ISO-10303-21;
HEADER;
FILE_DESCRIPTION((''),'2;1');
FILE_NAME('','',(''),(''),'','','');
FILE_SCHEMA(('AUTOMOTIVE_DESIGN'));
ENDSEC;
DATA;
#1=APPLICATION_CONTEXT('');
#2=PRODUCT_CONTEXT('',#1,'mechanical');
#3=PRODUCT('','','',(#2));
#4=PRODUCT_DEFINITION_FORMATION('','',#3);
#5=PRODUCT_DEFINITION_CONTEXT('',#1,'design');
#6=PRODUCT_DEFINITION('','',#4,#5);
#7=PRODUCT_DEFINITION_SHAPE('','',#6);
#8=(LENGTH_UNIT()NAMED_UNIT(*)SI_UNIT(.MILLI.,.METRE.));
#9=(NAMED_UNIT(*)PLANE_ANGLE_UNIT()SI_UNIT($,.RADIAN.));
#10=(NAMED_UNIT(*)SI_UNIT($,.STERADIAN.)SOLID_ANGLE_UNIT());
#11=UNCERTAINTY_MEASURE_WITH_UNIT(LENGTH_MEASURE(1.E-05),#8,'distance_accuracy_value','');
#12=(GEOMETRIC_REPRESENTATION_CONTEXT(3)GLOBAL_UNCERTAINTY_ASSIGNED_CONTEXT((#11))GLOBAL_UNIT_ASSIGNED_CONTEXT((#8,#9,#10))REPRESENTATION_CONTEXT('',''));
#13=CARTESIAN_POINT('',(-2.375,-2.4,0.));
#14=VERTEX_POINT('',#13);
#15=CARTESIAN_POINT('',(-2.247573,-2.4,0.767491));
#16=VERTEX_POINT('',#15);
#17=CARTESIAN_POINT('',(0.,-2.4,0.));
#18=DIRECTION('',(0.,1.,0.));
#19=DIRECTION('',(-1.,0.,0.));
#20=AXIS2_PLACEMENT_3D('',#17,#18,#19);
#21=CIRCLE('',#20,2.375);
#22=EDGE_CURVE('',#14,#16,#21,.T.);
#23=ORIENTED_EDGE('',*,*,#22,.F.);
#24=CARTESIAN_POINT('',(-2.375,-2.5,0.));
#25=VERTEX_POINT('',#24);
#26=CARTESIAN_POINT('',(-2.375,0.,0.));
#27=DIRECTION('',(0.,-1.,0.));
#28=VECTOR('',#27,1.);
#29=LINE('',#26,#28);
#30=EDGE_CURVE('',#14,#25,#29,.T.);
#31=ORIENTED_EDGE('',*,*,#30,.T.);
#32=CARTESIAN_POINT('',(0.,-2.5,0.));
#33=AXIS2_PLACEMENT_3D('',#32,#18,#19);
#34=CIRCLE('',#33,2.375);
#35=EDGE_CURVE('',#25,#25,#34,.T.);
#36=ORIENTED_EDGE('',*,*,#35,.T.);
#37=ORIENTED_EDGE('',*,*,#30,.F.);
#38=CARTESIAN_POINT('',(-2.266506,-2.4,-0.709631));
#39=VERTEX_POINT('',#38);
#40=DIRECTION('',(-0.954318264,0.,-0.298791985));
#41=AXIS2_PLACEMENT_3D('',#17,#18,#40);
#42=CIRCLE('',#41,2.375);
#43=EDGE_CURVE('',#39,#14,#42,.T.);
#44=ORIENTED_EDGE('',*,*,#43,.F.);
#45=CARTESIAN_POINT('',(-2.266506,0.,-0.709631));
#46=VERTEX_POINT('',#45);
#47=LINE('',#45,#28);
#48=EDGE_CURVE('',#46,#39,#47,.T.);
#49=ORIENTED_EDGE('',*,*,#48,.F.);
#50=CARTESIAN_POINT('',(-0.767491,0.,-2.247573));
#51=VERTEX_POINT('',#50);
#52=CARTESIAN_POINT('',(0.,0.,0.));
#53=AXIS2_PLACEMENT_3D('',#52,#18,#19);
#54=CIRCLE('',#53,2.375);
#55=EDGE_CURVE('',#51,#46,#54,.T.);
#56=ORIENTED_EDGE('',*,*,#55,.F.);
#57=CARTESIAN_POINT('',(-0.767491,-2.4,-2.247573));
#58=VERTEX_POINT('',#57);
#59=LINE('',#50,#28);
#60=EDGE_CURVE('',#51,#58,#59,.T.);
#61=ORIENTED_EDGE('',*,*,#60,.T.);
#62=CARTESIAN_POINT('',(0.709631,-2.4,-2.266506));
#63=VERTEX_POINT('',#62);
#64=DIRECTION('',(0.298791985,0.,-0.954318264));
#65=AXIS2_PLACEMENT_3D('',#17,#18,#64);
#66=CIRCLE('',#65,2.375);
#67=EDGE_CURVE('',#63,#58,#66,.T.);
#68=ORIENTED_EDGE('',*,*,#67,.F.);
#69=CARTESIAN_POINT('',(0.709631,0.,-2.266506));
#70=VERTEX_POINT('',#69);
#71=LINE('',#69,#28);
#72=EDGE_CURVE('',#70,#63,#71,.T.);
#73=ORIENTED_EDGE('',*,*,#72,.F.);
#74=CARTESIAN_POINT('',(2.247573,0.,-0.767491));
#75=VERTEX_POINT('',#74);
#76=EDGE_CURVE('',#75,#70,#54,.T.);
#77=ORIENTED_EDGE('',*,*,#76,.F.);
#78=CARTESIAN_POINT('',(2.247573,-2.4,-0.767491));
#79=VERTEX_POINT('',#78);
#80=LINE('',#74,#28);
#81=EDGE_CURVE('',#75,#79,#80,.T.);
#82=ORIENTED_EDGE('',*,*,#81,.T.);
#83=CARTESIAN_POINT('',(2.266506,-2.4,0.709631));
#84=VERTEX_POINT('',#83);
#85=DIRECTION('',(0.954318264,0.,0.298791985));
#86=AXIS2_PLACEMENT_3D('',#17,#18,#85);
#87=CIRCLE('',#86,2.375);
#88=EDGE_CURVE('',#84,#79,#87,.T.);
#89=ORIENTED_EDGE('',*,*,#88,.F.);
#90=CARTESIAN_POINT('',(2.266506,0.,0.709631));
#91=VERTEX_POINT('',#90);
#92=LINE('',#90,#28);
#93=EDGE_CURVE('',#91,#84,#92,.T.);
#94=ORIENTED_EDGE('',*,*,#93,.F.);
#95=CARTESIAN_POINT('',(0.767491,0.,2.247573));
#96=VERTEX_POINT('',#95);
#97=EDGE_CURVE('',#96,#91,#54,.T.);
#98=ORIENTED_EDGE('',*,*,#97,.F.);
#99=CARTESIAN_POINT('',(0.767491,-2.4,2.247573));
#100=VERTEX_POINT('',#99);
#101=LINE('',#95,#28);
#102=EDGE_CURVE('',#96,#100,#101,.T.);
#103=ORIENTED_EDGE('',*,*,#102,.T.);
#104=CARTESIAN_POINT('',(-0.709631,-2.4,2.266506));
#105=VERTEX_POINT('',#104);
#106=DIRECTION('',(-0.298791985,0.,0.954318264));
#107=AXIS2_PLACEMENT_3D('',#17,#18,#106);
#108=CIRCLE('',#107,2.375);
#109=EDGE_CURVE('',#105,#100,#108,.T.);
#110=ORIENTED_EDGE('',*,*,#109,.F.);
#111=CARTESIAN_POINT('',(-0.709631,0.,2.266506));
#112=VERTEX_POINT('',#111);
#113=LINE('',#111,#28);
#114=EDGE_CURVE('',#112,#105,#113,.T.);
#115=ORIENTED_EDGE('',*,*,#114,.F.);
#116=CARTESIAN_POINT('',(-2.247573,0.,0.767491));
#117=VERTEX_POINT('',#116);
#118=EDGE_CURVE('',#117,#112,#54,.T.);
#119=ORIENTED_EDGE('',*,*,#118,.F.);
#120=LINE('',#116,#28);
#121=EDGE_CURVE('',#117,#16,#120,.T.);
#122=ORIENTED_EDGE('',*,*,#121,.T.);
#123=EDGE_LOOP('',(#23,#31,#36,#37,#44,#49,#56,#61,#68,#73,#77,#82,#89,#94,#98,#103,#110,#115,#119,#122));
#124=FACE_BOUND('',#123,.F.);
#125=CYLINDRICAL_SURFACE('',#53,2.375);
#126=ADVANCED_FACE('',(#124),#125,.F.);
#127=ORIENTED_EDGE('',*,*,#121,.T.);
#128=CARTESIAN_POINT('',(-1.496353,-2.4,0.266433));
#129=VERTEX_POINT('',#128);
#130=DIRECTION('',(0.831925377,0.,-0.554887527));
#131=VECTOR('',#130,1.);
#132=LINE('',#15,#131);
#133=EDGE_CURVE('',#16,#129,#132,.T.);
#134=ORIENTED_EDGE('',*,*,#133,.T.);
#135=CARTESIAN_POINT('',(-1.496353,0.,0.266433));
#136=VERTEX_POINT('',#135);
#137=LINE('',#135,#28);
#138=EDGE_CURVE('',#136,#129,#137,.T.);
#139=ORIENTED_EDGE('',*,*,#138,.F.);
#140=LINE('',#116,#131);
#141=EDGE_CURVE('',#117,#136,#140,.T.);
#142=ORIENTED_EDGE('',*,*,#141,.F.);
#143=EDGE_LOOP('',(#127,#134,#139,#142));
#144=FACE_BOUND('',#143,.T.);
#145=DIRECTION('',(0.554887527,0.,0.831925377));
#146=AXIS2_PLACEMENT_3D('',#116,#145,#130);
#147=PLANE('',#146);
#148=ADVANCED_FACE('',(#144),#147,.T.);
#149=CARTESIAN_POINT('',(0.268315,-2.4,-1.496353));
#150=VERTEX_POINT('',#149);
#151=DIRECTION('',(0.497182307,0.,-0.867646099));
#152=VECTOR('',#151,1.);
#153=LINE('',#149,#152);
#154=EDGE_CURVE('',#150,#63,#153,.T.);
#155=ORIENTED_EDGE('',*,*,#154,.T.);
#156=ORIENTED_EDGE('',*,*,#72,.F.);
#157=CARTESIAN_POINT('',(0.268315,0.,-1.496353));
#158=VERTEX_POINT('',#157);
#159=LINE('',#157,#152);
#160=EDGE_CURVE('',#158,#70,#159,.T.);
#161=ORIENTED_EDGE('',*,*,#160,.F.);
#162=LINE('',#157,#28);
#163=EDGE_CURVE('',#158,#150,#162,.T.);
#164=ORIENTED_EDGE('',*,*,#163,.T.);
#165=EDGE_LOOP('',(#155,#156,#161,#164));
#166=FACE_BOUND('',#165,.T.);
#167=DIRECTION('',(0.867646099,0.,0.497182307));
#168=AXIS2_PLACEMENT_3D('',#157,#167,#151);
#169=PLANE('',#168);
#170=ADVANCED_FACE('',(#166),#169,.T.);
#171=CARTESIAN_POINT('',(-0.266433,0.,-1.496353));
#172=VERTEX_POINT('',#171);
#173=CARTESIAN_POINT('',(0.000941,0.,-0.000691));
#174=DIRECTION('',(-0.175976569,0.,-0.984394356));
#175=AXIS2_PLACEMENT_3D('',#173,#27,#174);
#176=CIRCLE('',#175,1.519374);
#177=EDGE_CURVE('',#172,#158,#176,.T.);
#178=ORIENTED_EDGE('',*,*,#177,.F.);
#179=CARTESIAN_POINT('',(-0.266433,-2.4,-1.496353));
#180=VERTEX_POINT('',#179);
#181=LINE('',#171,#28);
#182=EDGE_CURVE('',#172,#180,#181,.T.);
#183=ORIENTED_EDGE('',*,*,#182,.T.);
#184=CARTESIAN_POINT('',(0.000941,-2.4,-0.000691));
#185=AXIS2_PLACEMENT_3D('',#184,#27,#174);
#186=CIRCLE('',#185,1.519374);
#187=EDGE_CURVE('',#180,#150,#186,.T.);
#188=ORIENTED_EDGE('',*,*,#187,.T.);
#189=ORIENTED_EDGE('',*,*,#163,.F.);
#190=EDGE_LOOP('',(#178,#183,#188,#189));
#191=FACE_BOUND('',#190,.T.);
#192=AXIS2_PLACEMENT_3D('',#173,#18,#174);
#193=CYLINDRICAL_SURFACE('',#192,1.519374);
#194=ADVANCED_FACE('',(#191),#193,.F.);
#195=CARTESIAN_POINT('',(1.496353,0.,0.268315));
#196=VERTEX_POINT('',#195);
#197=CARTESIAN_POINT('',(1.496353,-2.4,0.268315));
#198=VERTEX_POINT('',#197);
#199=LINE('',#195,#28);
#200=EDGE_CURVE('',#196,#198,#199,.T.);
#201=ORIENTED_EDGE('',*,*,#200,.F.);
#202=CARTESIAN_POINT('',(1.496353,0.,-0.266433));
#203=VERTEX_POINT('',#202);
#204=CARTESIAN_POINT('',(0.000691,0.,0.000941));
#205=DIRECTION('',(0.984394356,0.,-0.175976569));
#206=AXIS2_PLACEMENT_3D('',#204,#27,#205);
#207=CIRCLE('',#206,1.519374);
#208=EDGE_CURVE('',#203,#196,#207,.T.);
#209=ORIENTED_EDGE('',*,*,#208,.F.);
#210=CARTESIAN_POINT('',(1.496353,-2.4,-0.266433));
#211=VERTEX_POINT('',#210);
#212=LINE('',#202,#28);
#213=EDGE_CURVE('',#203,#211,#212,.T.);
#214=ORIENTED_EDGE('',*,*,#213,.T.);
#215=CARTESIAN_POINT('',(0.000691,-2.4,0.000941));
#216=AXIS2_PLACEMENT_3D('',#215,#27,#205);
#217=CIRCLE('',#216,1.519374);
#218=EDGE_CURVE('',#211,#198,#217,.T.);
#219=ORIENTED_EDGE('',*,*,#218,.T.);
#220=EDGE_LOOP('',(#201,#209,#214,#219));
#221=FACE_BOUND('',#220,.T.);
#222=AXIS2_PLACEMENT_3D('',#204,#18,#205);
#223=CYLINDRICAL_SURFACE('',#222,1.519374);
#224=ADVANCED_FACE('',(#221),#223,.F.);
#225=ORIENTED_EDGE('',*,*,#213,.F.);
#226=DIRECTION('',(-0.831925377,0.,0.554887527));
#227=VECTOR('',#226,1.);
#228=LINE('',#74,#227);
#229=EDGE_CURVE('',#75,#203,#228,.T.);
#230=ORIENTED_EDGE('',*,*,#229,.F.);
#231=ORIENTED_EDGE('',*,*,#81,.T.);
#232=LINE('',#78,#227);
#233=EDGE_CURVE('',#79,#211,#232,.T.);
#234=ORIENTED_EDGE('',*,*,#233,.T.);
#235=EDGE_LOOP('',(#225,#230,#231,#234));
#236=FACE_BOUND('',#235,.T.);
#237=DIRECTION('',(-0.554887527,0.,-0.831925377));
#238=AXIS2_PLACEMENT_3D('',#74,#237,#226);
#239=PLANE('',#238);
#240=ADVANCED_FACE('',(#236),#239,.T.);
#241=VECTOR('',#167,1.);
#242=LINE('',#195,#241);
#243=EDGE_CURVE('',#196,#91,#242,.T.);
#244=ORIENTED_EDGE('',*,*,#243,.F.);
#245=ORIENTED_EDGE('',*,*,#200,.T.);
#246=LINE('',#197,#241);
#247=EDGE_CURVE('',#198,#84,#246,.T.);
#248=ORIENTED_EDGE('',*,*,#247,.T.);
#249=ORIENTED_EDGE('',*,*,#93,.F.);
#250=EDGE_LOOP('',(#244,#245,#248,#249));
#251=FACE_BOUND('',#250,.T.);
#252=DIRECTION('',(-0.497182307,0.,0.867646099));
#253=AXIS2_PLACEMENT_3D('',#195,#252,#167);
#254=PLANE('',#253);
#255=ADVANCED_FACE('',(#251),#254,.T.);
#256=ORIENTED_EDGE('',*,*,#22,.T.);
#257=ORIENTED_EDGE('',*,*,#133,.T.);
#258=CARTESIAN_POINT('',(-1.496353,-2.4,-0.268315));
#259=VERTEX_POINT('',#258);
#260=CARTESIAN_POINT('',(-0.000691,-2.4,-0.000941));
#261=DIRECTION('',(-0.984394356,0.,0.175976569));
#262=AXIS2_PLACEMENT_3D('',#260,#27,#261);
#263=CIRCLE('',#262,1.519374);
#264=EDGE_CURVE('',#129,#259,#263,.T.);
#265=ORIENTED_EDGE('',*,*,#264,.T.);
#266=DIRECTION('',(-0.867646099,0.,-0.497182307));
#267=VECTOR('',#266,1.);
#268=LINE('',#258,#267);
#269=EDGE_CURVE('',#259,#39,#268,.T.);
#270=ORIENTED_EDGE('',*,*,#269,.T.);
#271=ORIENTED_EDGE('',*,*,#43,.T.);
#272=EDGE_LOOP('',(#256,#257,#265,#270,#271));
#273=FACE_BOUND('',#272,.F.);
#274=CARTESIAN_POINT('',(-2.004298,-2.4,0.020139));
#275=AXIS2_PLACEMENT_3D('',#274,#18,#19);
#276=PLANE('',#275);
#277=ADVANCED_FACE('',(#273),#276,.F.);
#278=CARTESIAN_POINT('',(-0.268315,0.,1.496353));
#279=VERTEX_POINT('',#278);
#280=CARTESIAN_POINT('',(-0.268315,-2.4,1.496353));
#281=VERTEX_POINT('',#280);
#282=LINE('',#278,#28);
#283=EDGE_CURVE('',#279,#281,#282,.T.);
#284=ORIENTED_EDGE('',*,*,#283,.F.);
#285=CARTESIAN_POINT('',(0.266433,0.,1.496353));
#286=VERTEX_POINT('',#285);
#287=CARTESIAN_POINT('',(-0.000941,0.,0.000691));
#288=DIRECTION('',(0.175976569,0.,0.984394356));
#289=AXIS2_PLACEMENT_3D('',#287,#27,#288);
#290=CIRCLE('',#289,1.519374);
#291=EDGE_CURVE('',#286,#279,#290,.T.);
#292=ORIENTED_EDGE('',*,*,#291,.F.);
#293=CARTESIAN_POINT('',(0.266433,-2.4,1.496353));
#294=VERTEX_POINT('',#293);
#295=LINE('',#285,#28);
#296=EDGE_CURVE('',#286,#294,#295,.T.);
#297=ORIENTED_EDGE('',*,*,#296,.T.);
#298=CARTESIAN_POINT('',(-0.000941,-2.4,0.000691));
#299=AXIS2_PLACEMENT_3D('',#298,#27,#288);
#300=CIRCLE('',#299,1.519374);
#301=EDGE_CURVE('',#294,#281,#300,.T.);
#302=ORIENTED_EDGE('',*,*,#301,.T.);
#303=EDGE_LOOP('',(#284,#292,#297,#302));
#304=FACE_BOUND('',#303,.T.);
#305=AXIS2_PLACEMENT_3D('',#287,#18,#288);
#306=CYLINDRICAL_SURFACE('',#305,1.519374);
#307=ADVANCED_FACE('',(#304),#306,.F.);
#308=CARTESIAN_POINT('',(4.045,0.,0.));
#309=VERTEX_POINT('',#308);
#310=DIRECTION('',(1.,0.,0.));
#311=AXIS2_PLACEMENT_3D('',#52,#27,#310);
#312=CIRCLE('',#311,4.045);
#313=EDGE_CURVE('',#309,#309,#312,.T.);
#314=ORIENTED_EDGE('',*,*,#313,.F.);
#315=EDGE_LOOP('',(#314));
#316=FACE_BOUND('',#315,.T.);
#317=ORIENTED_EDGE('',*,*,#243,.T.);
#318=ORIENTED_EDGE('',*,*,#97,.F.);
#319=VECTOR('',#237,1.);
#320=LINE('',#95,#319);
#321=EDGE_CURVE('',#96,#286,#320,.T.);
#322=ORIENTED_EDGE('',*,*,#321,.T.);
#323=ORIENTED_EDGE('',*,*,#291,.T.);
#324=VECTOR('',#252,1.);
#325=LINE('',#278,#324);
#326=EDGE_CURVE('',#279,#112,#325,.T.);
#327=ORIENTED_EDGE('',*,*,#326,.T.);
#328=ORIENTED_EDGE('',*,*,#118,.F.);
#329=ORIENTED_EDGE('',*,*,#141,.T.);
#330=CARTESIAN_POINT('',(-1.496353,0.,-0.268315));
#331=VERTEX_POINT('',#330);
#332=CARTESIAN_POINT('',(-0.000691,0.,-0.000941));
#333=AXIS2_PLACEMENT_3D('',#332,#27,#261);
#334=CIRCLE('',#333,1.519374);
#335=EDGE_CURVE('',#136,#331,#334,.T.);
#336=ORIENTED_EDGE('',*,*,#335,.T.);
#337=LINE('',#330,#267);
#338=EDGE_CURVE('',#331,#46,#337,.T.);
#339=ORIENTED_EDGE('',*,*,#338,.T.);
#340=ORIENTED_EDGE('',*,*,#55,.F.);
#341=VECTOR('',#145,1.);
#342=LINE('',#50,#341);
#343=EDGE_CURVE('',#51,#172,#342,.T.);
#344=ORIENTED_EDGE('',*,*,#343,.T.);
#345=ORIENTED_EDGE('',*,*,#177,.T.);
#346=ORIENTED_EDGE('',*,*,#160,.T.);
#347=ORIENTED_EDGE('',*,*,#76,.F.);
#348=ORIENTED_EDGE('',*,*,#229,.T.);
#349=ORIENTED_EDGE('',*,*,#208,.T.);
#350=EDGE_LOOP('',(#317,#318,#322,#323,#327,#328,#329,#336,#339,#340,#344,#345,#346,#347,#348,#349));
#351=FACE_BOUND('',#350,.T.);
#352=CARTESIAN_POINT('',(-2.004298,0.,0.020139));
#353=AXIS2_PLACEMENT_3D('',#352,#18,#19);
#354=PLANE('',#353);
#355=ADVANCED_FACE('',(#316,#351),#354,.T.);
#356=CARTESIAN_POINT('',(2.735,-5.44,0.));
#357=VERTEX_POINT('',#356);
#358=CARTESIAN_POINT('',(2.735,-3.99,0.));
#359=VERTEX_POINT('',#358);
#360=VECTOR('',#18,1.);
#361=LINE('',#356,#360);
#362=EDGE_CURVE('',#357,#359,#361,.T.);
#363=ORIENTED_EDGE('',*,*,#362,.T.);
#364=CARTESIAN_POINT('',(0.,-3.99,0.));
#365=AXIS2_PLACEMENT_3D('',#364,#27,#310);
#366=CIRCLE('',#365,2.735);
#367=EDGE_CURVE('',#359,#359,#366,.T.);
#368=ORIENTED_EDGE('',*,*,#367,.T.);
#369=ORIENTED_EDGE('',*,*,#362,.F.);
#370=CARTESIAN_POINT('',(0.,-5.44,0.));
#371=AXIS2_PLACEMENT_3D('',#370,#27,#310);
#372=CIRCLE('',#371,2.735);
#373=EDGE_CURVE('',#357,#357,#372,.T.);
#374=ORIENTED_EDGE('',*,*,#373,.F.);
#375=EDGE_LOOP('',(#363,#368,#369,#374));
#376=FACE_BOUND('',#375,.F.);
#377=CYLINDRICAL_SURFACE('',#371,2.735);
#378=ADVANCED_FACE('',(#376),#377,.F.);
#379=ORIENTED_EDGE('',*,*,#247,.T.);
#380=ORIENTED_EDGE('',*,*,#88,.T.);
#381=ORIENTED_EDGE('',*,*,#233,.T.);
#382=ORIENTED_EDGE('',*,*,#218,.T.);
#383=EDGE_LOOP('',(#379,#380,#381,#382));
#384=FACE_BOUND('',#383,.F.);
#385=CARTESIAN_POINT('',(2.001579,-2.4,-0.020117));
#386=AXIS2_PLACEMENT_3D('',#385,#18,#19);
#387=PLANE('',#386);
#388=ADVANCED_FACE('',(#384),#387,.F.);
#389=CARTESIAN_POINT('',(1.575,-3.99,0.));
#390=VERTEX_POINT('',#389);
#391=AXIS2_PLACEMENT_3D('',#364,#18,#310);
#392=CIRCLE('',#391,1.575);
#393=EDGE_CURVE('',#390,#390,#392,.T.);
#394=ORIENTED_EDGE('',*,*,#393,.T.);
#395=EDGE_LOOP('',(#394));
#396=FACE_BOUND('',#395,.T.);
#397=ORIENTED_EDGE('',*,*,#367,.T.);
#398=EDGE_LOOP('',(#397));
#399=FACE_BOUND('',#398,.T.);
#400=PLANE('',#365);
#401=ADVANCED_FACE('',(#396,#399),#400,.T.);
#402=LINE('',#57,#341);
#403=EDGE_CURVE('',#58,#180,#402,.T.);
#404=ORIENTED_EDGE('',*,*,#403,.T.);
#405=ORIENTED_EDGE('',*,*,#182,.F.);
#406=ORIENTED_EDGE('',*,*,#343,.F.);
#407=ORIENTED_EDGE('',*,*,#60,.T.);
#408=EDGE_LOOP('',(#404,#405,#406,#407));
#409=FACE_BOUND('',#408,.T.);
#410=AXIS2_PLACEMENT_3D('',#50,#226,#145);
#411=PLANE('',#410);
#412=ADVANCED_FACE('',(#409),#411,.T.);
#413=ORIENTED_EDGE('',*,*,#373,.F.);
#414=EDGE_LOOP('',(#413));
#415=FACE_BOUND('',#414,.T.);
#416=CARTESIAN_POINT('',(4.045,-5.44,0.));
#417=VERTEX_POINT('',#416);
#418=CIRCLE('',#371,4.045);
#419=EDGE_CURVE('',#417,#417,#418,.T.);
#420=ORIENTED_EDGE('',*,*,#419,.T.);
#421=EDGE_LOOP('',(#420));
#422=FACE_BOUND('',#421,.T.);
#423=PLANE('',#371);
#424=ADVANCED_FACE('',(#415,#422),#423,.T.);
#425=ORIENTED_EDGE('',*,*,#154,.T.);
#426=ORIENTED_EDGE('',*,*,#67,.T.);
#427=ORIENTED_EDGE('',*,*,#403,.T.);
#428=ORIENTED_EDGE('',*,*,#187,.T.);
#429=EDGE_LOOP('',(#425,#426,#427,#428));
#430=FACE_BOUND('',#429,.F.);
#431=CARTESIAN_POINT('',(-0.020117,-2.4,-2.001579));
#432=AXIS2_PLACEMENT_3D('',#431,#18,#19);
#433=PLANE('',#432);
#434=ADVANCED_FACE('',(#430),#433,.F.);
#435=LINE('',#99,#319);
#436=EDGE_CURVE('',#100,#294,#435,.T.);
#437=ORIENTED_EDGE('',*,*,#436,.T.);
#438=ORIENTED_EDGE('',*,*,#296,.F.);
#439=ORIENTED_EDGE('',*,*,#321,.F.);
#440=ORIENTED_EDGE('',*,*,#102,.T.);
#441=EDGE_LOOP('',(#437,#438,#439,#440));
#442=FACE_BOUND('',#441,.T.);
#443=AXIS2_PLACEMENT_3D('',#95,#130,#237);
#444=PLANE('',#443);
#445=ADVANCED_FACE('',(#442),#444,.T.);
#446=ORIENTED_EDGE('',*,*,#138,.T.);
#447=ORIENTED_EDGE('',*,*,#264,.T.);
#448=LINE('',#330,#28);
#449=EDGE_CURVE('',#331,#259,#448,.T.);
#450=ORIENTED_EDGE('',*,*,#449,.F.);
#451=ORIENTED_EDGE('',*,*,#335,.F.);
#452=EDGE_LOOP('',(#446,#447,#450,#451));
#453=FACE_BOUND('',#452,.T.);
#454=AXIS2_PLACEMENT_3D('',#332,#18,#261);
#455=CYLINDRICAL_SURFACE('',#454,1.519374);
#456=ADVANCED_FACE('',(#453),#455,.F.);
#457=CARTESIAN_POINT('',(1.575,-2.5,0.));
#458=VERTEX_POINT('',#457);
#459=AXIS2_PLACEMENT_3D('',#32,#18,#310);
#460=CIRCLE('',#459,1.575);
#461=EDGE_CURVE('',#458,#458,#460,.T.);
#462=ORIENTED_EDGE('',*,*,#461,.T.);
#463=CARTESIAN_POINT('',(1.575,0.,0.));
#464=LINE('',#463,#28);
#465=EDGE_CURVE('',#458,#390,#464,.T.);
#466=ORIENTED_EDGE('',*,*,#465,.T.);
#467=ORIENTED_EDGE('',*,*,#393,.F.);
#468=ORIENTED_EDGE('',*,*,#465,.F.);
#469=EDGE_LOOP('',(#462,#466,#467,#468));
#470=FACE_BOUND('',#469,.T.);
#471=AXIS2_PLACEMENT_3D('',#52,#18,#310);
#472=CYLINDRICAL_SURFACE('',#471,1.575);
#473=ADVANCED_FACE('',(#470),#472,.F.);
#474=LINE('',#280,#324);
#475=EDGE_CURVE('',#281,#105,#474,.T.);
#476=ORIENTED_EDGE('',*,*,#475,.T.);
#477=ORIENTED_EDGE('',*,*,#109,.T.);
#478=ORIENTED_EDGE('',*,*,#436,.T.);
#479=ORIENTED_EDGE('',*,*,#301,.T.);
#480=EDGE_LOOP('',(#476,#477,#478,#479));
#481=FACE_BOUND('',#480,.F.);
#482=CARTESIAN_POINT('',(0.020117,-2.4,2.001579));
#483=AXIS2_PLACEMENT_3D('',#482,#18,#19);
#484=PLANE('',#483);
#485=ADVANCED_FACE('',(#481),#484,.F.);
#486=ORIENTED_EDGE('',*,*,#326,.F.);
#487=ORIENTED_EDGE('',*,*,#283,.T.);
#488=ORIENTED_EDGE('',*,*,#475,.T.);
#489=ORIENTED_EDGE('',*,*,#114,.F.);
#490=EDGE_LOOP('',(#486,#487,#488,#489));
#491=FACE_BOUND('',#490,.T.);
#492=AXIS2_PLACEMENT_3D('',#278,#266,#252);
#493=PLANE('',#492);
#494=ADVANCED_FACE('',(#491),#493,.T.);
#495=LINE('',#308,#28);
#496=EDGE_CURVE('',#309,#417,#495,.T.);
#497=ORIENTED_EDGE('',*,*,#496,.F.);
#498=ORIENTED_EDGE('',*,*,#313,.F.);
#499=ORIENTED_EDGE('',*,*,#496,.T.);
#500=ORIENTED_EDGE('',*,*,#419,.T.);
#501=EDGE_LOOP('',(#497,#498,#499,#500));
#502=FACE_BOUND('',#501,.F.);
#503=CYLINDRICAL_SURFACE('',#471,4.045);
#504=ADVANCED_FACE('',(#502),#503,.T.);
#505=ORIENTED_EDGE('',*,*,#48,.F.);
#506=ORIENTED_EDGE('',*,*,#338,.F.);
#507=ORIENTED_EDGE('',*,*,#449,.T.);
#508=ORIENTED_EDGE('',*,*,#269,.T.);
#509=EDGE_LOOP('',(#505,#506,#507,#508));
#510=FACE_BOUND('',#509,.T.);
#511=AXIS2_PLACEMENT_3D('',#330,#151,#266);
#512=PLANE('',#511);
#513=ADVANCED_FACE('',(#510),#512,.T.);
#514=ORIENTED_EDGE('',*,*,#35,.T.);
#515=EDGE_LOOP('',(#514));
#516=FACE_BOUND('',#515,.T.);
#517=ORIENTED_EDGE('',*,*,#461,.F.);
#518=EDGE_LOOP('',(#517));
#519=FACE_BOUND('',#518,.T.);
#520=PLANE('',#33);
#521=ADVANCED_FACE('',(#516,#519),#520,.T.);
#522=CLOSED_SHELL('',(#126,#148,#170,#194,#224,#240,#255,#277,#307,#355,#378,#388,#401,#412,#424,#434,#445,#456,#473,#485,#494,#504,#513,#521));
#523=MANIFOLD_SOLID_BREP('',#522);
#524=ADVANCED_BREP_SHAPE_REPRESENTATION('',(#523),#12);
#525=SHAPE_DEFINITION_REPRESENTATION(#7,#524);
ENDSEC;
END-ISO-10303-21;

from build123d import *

# Parameters (mm, degrees)
F0_R     = 4.045
F0_R_2   = 1.575
F1_DEPTH = 5.44
F2_R     = 2.735
F3_DEPTH = 1.45
F4_R     = 2.375
F5_DEPTH = 2.5
F7_DEPTH = 2.4


with BuildPart() as f1:
    # F0 (on Front) → F1 (new body)
    with BuildSketch(Plane.XZ):
        Circle(F0_R)
        Circle(F0_R_2, mode=Mode.SUBTRACT)
    extrude(amount=F1_DEPTH)

    # F2 (on face) → F3 (cut)
    with BuildSketch(Plane.XZ.offset(5.44)):
        Circle(F2_R)
    extrude(amount=-F3_DEPTH, mode=Mode.SUBTRACT)

    # F4 (on face) → F5 (cut)
    with BuildSketch(Plane(origin=(0, 0, 0), x_dir=(-1, 0, 0), z_dir=(0, 1, 0))):
        Circle(F4_R)
    extrude(amount=-F5_DEPTH, mode=Mode.SUBTRACT)

    # F6 (on face) → F7 (join)
    with BuildSketch(Plane(origin=(0, 0, 0), x_dir=(-1, 0, 0), z_dir=(0, 1, 0))):
        with BuildLine():
            Line((1.4963533031, -0.268314818), (2.2665058776, -0.7096309653))
            ThreePointArc((2.2665058776, -0.7096309653), (2.3477197937, -0.3589383936), (2.375, 0))
            ThreePointArc((2.375, 0), (2.342926602, 0.3889986346), (2.247572684, 0.7674907361))
            Line((2.247572684, 0.7674907361), (1.4963533031, 0.266433459))
            ThreePointArc((1.4963533031, 0.266433459), (1.520064106, -0.0009406795), (1.4963533031, -0.268314818))
        make_face()
        with BuildLine():
            ThreePointArc((-0.7096309653, -2.2665058776), (0.0304393614, -2.3748049278), (0.7674907361, -2.247572684))
            Line((0.7674907361, -2.247572684), (0.266433459, -1.4963533031))
            ThreePointArc((0.266433459, -1.4963533031), (-0.0009406795, -1.520064106), (-0.268314818, -1.4963533031))
            Line((-0.268314818, -1.4963533031), (-0.7096309653, -2.2665058776))
        make_face()
        with BuildLine():
            ThreePointArc((-2.2665058776, 0.7096309653), (-2.3748049278, -0.0304393614), (-2.247572684, -0.7674907361))
            Line((-2.247572684, -0.7674907361), (-1.4963533031, -0.266433459))
            ThreePointArc((-1.4963533031, -0.266433459), (-1.520064106, 0.0009406795), (-1.4963533031, 0.268314818))
            Line((-1.4963533031, 0.268314818), (-2.2665058776, 0.7096309653))
        make_face()
        with BuildLine():
            ThreePointArc((0.7096309653, 2.2665058776), (-0.0304393614, 2.3748049278), (-0.7674907361, 2.247572684))
            Line((-0.7674907361, 2.247572684), (-0.266433459, 1.4963533031))
            ThreePointArc((-0.266433459, 1.4963533031), (0.0009406795, 1.520064106), (0.268314818, 1.4963533031))
            Line((0.268314818, 1.4963533031), (0.7096309653, 2.2665058776))
        make_face()
    extrude(amount=-F7_DEPTH)


solid = f1.part
